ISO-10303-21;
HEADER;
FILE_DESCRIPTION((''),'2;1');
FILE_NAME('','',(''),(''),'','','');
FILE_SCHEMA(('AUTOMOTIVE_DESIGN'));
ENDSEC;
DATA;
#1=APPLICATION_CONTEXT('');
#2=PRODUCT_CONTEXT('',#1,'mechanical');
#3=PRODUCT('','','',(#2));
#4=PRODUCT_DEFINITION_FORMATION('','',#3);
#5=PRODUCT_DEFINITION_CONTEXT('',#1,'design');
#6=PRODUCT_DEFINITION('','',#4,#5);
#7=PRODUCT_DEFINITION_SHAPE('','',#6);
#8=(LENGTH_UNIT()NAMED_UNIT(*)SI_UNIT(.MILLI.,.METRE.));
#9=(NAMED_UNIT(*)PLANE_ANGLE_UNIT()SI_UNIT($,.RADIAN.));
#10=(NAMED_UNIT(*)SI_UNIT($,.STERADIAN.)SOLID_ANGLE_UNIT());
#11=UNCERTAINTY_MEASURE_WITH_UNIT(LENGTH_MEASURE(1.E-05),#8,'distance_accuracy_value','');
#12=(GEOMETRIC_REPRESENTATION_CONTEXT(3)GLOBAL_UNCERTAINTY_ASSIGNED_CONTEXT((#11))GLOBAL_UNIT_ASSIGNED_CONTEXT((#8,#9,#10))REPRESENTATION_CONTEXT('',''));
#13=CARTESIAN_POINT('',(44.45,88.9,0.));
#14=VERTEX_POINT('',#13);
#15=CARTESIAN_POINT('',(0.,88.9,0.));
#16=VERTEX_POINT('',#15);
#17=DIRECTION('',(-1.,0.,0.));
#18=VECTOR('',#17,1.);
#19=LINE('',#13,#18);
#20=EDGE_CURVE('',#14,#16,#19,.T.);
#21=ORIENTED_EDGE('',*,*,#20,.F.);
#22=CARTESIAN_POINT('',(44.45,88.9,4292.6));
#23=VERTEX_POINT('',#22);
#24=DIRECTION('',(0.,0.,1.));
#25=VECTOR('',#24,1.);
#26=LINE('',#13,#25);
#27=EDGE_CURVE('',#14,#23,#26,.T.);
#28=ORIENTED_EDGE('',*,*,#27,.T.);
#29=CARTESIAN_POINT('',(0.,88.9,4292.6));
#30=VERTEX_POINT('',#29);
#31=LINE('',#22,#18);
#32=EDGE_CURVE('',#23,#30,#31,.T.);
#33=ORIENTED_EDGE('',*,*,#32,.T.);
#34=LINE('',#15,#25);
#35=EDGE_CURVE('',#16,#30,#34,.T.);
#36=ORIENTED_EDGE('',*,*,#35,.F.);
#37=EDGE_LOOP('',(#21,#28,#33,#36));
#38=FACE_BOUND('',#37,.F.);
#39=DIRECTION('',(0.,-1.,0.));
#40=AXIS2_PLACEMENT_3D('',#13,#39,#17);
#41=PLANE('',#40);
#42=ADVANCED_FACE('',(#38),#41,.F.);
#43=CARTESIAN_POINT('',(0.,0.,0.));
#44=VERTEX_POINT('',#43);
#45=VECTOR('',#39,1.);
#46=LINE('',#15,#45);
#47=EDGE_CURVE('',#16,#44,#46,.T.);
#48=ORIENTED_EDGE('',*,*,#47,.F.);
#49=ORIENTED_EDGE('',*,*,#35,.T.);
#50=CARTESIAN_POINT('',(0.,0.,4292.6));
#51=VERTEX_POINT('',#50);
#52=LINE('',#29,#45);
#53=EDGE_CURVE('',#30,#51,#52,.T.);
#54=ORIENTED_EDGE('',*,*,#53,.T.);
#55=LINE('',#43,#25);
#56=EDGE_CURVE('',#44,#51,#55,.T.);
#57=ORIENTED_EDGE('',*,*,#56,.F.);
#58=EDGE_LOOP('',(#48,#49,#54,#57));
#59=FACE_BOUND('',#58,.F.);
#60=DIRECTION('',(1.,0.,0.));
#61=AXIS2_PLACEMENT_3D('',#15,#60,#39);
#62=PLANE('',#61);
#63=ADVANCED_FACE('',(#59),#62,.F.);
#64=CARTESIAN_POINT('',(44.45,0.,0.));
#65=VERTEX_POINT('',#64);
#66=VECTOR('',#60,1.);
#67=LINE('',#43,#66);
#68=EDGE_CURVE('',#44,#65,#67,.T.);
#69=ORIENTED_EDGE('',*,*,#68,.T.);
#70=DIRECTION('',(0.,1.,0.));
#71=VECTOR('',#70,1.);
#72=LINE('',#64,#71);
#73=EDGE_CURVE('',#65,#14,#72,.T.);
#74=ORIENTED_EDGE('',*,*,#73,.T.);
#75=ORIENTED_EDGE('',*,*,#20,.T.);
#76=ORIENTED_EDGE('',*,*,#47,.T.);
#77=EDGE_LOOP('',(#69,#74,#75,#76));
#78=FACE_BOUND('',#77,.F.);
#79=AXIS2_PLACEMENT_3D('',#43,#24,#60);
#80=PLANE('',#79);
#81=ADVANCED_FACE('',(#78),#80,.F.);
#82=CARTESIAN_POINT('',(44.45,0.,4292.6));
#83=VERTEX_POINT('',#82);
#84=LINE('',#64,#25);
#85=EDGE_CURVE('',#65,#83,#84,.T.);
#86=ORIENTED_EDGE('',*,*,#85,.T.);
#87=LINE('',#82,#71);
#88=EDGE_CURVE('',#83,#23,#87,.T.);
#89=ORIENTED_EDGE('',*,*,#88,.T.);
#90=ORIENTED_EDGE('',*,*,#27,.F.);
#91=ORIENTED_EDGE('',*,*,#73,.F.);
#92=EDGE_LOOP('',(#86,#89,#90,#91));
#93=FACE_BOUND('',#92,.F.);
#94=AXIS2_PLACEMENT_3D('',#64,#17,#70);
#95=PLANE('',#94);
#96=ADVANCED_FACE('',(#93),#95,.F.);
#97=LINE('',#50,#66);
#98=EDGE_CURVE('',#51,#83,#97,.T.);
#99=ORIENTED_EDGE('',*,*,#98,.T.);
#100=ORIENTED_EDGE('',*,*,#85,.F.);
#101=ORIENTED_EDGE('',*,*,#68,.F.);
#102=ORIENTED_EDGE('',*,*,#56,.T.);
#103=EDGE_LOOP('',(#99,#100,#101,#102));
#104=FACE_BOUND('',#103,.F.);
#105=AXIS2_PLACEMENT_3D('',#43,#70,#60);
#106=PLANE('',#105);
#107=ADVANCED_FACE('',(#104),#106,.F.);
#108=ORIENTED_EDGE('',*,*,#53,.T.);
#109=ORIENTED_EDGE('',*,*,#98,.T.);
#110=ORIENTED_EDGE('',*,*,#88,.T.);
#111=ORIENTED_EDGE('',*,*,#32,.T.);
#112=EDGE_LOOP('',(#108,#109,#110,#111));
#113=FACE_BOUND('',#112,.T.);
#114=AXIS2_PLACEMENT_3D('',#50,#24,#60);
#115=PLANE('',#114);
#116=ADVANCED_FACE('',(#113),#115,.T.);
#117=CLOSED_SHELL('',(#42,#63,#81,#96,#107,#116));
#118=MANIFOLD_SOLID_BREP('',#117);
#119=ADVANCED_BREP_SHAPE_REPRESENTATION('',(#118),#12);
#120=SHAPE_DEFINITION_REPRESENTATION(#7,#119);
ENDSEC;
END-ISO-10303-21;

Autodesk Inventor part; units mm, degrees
ref_plane "YZ Plane" through (0, 0, 0) normal (1, 0, 0) x (0, 1, 0)
ref_plane "XZ Plane" through (0, 0, 0) normal (0, 1, 0) x (-1, 0, 0)
ref_plane "XY Plane" through (0, 0, 0) normal (0, 0, 1) x (1, 0, 0)
sketch "Sketch1" plane through (0, 0, 0) normal (0, 0, 1) x (1, 0, 0)
  line L0 (0, 0) -> (44.45, 0)
  line L1 (44.45, 0) -> (44.45, 88.9)
  line L2 (44.45, 88.9) -> (0, 88.9)
  line L3 (0, 88.9) -> (0, 0)
  dimension "d0" = 44.45
  dimension "d1" = 88.9
extrude "Extrusion1" add sketch "Sketch1" along normal blind 4292.6
properties part number "2by4cross" material "Wood (Birch)"
